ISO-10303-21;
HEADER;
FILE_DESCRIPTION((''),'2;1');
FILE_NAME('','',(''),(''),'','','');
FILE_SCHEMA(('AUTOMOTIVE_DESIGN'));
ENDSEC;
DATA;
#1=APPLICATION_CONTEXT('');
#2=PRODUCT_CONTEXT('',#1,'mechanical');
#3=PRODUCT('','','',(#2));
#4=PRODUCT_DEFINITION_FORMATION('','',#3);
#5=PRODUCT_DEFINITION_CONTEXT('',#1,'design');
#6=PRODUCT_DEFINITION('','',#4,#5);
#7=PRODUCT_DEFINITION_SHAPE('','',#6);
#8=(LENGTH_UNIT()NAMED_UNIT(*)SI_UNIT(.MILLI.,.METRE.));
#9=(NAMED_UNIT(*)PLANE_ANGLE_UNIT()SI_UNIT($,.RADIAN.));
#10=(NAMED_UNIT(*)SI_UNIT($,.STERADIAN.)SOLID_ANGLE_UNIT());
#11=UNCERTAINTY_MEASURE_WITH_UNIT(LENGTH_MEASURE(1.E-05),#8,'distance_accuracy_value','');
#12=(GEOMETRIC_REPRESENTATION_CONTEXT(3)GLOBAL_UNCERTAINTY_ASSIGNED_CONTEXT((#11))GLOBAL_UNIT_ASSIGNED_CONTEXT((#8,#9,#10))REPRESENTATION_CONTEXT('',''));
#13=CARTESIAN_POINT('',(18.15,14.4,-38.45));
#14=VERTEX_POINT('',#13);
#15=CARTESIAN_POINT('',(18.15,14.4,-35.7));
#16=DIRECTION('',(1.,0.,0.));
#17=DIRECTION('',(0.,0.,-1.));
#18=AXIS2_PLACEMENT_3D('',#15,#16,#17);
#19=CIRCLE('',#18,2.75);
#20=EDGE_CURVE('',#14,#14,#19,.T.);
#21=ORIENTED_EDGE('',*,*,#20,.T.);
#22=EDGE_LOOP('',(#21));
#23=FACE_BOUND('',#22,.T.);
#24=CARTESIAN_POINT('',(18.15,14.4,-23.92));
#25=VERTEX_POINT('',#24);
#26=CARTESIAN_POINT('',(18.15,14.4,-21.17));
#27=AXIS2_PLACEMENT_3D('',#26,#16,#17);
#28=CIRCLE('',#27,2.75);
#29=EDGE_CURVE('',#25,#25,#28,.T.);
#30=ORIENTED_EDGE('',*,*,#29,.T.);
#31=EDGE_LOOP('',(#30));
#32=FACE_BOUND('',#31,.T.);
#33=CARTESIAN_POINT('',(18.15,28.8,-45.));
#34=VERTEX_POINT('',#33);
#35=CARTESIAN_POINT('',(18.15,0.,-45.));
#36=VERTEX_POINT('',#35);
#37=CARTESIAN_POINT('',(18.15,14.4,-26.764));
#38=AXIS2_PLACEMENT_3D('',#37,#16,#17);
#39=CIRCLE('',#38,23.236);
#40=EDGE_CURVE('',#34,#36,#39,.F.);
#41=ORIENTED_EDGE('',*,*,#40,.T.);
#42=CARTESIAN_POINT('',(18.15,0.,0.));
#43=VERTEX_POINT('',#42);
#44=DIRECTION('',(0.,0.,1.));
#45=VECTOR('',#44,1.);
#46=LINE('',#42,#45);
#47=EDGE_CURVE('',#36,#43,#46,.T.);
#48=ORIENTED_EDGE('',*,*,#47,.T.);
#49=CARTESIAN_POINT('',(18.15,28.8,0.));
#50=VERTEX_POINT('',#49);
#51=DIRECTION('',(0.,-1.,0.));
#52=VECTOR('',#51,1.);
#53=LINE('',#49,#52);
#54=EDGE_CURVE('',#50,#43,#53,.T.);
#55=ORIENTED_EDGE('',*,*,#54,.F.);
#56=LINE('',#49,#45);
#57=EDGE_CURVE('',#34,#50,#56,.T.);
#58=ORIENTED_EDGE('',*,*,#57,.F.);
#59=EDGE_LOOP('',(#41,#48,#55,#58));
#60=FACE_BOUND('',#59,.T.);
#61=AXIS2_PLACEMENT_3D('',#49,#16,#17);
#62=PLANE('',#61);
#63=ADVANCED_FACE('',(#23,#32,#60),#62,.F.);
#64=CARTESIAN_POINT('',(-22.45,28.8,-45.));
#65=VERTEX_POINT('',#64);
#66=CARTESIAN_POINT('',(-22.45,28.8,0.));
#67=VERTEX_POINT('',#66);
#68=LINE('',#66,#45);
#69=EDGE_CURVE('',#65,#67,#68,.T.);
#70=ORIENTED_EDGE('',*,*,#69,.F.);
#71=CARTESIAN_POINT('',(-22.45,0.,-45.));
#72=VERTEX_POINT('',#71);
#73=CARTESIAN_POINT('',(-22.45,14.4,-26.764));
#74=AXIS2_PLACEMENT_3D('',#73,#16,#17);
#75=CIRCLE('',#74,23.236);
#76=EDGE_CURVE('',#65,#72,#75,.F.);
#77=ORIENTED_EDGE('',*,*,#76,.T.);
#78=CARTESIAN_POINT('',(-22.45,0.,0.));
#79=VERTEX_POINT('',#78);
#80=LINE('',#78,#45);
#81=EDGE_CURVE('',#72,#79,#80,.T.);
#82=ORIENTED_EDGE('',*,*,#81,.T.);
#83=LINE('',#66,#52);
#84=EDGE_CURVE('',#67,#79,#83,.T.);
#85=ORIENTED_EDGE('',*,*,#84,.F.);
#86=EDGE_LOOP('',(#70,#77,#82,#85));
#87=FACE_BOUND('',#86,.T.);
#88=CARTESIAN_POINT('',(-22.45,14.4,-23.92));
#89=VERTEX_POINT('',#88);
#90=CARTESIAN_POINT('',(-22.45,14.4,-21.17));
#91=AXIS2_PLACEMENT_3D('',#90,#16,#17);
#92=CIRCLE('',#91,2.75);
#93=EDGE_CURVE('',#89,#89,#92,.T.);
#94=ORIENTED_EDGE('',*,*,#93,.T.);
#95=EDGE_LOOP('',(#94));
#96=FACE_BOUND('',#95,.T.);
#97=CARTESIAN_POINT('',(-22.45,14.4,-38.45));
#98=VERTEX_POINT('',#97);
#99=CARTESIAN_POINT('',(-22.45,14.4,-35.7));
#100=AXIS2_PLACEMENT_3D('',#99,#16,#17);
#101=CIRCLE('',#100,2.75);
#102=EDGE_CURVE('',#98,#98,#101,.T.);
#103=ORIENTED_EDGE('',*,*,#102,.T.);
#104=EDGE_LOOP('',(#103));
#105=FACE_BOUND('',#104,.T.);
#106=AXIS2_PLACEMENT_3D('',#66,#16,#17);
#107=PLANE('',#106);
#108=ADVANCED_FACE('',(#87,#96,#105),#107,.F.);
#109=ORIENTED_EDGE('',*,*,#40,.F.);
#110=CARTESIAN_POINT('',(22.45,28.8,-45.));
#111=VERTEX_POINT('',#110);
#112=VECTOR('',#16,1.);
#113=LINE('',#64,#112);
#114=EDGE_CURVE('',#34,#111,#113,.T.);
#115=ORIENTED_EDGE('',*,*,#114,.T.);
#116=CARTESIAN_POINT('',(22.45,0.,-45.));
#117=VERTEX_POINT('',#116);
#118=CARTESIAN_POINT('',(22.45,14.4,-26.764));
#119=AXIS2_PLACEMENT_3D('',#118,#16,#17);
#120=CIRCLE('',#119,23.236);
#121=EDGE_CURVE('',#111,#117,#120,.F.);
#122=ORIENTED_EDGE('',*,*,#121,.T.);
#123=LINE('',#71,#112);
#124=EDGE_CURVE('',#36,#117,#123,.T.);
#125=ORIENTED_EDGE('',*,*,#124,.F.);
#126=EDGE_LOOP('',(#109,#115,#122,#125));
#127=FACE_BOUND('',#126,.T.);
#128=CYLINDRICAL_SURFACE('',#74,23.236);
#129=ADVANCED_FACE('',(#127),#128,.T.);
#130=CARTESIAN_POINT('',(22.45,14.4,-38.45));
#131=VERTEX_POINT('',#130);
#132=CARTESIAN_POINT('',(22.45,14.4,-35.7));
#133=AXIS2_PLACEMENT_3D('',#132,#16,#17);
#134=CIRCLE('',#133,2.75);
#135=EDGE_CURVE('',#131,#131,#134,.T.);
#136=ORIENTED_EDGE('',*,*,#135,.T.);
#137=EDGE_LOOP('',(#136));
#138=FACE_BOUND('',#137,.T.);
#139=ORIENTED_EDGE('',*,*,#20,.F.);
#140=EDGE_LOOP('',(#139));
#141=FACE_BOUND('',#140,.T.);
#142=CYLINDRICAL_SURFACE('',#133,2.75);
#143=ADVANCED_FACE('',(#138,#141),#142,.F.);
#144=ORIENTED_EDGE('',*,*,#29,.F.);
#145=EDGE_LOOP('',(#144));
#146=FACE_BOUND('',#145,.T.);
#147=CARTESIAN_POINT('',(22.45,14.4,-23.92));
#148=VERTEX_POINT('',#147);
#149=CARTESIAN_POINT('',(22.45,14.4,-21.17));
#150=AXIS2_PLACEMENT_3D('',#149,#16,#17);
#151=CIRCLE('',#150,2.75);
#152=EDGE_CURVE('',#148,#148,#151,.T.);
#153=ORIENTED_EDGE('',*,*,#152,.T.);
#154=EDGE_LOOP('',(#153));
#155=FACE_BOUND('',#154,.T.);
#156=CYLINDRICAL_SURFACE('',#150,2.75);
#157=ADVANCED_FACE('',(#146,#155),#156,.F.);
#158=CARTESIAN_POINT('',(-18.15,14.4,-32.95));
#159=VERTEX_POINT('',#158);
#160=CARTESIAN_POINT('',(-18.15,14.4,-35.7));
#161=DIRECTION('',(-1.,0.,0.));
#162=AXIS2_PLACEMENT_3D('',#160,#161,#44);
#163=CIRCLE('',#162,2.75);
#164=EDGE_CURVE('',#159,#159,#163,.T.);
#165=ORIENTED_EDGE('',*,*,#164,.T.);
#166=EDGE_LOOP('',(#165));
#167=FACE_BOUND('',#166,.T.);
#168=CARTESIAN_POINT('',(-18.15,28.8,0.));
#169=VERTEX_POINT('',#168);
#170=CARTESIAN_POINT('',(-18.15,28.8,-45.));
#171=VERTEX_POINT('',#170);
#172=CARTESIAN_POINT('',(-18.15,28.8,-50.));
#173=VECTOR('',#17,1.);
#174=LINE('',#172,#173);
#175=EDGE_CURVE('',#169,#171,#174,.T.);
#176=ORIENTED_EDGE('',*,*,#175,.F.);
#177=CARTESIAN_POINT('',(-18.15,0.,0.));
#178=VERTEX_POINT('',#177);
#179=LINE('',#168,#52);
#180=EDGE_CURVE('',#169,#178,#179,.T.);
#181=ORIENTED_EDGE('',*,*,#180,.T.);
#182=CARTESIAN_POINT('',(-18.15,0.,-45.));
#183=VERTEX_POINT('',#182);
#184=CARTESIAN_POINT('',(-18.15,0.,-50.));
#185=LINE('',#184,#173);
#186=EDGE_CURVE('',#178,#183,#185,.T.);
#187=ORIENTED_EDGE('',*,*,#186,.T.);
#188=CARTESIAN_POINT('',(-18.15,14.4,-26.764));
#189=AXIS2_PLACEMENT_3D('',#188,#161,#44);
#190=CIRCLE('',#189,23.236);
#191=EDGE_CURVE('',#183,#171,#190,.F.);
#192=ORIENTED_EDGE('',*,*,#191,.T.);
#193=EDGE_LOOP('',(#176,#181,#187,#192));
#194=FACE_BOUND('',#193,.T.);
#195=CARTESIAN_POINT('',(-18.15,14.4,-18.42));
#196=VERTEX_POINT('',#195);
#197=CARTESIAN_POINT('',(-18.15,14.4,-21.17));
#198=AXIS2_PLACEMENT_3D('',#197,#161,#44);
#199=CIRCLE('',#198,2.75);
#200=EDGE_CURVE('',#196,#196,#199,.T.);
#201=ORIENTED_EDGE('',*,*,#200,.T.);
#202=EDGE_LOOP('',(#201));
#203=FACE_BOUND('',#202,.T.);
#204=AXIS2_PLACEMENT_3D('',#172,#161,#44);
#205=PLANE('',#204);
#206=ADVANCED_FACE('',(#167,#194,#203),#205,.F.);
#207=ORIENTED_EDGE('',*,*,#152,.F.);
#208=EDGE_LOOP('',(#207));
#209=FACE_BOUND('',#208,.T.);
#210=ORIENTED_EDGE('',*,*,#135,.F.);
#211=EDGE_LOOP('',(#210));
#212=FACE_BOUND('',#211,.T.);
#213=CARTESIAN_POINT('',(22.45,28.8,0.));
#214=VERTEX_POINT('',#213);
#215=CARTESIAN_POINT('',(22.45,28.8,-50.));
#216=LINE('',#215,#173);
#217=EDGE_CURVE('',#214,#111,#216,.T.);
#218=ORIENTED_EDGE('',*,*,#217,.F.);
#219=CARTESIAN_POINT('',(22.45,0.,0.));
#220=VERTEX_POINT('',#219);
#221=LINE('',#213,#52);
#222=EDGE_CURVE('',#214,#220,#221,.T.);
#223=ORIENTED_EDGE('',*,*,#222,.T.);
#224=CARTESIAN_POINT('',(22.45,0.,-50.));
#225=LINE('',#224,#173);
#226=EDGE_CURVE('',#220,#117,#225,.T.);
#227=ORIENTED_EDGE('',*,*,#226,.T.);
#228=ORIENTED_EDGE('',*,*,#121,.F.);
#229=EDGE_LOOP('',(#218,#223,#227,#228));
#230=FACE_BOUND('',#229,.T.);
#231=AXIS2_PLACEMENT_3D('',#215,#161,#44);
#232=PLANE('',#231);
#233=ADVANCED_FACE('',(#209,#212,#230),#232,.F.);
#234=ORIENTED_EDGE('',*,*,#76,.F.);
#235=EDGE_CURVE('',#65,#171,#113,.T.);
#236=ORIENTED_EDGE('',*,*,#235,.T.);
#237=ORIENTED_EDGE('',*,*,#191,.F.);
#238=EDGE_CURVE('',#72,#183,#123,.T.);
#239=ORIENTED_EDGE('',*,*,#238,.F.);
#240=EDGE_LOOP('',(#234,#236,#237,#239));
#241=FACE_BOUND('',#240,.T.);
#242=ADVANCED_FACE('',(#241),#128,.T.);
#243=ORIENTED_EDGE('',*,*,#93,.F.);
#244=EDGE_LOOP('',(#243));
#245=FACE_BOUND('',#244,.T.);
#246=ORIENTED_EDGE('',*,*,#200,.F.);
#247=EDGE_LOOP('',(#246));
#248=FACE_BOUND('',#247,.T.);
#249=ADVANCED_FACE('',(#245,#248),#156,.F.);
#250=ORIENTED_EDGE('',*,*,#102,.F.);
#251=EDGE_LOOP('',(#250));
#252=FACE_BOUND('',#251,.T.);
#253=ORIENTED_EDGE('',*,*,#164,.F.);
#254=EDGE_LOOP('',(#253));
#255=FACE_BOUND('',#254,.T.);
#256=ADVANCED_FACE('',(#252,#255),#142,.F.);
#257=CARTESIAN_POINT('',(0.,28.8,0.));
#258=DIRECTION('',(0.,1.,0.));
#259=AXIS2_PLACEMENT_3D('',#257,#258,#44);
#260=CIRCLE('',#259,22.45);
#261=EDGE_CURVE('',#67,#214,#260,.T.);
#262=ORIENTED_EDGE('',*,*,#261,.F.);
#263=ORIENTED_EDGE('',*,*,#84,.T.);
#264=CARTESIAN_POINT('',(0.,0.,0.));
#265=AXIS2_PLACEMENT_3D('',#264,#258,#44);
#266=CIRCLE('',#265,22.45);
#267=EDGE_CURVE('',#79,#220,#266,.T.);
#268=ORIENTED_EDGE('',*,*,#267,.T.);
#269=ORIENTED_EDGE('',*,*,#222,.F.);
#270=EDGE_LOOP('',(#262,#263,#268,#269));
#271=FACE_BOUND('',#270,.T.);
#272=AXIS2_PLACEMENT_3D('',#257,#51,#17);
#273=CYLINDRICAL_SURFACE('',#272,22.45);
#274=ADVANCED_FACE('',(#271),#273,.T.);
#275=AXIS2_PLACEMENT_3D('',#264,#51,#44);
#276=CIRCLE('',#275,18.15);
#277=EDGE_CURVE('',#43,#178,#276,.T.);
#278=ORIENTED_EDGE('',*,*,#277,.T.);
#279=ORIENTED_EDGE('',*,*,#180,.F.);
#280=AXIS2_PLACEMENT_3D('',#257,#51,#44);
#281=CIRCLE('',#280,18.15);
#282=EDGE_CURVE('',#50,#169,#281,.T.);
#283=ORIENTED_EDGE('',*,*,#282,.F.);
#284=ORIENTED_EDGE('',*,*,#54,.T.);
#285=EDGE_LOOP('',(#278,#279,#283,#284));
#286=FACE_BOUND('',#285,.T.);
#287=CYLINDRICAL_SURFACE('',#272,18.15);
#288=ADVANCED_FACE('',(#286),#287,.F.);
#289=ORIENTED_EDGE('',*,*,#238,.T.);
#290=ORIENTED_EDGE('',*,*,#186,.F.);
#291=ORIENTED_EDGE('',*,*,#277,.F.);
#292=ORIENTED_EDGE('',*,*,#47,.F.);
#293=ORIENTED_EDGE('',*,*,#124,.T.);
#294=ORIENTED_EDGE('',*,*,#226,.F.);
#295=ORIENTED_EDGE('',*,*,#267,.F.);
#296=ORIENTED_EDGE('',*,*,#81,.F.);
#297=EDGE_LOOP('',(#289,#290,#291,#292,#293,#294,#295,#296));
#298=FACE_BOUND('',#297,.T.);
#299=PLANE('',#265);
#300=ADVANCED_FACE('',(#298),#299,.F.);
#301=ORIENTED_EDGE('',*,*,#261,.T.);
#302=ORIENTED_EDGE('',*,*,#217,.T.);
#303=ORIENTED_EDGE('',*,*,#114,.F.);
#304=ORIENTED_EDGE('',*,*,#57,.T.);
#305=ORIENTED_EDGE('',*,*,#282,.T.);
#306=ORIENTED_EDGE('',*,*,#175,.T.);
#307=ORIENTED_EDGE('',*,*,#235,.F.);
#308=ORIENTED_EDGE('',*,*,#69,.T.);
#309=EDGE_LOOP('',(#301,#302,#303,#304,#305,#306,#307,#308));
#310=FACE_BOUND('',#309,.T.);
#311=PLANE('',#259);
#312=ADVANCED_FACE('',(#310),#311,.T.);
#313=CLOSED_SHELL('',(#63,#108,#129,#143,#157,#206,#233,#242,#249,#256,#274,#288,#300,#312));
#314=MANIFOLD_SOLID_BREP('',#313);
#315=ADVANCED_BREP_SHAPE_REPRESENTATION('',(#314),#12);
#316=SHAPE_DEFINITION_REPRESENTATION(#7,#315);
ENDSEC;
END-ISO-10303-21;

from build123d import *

# Parameters (mm, degrees)
BOSS_EXTRUDE1_DEPTH  = 28.8
M5_CLEARANCE_HOLE1_D = 5.5
CUT_EXTRUDE1_DEPTH   = 45.9


with BuildPart() as part:
    # Sketch1 → Boss-Extrude1 (new body)
    with BuildSketch(Plane(origin=(0, 0, 0), x_dir=(1, 0, 0), z_dir=(0, 1, 0))):
        with BuildLine():
            Line((-22.45, 0), (-22.45, 50))
            Line((-22.45, 50), (-18.15, 50))
            Line((-18.15, 50), (-18.15, 0))
            ThreePointArc((-18.15, 0), (0, -18.15), (18.15, 0))
            Line((18.15, 0), (18.15, 50))
            Line((18.15, 50), (22.45, 50))
            Line((22.45, 50), (22.45, 0))
            ThreePointArc((22.45, 0), (0, -22.45), (-22.45, 0))
        make_face()
    extrude(amount=BOSS_EXTRUDE1_DEPTH)

    # M5 Clearance Hole1 (through all)
    with Locations(Plane(origin=(22.45, 0, 0), x_dir=(0, 0, -1), z_dir=(1, 0, 0))):
        with Locations((21.17, 14.4), (35.7, 14.4)):
            Hole(M5_CLEARANCE_HOLE1_D / 2)

    # Sketch5 → Cut-Extrude1 (cut, through all)
    with BuildSketch(Plane(origin=(22.45, 0, 0), x_dir=(0, 0, -1), z_dir=(1, 0, 0))):
        with BuildLine():
            Line((50, 0), (50, 14.4))
            ThreePointArc((50, 14.4), (48.714437262, 6.778320395), (45, 0))
            Line((45, 0), (50, 0))
        make_face()
        with BuildLine():
            Line((50, 28.8), (45, 28.8))
            ThreePointArc((45, 28.8), (48.714437262, 22.021679605), (50, 14.4))
            Line((50, 14.4), (50, 28.8))
        make_face()
    extrude(amount=-CUT_EXTRUDE1_DEPTH, mode=Mode.SUBTRACT)


solid = part.part
